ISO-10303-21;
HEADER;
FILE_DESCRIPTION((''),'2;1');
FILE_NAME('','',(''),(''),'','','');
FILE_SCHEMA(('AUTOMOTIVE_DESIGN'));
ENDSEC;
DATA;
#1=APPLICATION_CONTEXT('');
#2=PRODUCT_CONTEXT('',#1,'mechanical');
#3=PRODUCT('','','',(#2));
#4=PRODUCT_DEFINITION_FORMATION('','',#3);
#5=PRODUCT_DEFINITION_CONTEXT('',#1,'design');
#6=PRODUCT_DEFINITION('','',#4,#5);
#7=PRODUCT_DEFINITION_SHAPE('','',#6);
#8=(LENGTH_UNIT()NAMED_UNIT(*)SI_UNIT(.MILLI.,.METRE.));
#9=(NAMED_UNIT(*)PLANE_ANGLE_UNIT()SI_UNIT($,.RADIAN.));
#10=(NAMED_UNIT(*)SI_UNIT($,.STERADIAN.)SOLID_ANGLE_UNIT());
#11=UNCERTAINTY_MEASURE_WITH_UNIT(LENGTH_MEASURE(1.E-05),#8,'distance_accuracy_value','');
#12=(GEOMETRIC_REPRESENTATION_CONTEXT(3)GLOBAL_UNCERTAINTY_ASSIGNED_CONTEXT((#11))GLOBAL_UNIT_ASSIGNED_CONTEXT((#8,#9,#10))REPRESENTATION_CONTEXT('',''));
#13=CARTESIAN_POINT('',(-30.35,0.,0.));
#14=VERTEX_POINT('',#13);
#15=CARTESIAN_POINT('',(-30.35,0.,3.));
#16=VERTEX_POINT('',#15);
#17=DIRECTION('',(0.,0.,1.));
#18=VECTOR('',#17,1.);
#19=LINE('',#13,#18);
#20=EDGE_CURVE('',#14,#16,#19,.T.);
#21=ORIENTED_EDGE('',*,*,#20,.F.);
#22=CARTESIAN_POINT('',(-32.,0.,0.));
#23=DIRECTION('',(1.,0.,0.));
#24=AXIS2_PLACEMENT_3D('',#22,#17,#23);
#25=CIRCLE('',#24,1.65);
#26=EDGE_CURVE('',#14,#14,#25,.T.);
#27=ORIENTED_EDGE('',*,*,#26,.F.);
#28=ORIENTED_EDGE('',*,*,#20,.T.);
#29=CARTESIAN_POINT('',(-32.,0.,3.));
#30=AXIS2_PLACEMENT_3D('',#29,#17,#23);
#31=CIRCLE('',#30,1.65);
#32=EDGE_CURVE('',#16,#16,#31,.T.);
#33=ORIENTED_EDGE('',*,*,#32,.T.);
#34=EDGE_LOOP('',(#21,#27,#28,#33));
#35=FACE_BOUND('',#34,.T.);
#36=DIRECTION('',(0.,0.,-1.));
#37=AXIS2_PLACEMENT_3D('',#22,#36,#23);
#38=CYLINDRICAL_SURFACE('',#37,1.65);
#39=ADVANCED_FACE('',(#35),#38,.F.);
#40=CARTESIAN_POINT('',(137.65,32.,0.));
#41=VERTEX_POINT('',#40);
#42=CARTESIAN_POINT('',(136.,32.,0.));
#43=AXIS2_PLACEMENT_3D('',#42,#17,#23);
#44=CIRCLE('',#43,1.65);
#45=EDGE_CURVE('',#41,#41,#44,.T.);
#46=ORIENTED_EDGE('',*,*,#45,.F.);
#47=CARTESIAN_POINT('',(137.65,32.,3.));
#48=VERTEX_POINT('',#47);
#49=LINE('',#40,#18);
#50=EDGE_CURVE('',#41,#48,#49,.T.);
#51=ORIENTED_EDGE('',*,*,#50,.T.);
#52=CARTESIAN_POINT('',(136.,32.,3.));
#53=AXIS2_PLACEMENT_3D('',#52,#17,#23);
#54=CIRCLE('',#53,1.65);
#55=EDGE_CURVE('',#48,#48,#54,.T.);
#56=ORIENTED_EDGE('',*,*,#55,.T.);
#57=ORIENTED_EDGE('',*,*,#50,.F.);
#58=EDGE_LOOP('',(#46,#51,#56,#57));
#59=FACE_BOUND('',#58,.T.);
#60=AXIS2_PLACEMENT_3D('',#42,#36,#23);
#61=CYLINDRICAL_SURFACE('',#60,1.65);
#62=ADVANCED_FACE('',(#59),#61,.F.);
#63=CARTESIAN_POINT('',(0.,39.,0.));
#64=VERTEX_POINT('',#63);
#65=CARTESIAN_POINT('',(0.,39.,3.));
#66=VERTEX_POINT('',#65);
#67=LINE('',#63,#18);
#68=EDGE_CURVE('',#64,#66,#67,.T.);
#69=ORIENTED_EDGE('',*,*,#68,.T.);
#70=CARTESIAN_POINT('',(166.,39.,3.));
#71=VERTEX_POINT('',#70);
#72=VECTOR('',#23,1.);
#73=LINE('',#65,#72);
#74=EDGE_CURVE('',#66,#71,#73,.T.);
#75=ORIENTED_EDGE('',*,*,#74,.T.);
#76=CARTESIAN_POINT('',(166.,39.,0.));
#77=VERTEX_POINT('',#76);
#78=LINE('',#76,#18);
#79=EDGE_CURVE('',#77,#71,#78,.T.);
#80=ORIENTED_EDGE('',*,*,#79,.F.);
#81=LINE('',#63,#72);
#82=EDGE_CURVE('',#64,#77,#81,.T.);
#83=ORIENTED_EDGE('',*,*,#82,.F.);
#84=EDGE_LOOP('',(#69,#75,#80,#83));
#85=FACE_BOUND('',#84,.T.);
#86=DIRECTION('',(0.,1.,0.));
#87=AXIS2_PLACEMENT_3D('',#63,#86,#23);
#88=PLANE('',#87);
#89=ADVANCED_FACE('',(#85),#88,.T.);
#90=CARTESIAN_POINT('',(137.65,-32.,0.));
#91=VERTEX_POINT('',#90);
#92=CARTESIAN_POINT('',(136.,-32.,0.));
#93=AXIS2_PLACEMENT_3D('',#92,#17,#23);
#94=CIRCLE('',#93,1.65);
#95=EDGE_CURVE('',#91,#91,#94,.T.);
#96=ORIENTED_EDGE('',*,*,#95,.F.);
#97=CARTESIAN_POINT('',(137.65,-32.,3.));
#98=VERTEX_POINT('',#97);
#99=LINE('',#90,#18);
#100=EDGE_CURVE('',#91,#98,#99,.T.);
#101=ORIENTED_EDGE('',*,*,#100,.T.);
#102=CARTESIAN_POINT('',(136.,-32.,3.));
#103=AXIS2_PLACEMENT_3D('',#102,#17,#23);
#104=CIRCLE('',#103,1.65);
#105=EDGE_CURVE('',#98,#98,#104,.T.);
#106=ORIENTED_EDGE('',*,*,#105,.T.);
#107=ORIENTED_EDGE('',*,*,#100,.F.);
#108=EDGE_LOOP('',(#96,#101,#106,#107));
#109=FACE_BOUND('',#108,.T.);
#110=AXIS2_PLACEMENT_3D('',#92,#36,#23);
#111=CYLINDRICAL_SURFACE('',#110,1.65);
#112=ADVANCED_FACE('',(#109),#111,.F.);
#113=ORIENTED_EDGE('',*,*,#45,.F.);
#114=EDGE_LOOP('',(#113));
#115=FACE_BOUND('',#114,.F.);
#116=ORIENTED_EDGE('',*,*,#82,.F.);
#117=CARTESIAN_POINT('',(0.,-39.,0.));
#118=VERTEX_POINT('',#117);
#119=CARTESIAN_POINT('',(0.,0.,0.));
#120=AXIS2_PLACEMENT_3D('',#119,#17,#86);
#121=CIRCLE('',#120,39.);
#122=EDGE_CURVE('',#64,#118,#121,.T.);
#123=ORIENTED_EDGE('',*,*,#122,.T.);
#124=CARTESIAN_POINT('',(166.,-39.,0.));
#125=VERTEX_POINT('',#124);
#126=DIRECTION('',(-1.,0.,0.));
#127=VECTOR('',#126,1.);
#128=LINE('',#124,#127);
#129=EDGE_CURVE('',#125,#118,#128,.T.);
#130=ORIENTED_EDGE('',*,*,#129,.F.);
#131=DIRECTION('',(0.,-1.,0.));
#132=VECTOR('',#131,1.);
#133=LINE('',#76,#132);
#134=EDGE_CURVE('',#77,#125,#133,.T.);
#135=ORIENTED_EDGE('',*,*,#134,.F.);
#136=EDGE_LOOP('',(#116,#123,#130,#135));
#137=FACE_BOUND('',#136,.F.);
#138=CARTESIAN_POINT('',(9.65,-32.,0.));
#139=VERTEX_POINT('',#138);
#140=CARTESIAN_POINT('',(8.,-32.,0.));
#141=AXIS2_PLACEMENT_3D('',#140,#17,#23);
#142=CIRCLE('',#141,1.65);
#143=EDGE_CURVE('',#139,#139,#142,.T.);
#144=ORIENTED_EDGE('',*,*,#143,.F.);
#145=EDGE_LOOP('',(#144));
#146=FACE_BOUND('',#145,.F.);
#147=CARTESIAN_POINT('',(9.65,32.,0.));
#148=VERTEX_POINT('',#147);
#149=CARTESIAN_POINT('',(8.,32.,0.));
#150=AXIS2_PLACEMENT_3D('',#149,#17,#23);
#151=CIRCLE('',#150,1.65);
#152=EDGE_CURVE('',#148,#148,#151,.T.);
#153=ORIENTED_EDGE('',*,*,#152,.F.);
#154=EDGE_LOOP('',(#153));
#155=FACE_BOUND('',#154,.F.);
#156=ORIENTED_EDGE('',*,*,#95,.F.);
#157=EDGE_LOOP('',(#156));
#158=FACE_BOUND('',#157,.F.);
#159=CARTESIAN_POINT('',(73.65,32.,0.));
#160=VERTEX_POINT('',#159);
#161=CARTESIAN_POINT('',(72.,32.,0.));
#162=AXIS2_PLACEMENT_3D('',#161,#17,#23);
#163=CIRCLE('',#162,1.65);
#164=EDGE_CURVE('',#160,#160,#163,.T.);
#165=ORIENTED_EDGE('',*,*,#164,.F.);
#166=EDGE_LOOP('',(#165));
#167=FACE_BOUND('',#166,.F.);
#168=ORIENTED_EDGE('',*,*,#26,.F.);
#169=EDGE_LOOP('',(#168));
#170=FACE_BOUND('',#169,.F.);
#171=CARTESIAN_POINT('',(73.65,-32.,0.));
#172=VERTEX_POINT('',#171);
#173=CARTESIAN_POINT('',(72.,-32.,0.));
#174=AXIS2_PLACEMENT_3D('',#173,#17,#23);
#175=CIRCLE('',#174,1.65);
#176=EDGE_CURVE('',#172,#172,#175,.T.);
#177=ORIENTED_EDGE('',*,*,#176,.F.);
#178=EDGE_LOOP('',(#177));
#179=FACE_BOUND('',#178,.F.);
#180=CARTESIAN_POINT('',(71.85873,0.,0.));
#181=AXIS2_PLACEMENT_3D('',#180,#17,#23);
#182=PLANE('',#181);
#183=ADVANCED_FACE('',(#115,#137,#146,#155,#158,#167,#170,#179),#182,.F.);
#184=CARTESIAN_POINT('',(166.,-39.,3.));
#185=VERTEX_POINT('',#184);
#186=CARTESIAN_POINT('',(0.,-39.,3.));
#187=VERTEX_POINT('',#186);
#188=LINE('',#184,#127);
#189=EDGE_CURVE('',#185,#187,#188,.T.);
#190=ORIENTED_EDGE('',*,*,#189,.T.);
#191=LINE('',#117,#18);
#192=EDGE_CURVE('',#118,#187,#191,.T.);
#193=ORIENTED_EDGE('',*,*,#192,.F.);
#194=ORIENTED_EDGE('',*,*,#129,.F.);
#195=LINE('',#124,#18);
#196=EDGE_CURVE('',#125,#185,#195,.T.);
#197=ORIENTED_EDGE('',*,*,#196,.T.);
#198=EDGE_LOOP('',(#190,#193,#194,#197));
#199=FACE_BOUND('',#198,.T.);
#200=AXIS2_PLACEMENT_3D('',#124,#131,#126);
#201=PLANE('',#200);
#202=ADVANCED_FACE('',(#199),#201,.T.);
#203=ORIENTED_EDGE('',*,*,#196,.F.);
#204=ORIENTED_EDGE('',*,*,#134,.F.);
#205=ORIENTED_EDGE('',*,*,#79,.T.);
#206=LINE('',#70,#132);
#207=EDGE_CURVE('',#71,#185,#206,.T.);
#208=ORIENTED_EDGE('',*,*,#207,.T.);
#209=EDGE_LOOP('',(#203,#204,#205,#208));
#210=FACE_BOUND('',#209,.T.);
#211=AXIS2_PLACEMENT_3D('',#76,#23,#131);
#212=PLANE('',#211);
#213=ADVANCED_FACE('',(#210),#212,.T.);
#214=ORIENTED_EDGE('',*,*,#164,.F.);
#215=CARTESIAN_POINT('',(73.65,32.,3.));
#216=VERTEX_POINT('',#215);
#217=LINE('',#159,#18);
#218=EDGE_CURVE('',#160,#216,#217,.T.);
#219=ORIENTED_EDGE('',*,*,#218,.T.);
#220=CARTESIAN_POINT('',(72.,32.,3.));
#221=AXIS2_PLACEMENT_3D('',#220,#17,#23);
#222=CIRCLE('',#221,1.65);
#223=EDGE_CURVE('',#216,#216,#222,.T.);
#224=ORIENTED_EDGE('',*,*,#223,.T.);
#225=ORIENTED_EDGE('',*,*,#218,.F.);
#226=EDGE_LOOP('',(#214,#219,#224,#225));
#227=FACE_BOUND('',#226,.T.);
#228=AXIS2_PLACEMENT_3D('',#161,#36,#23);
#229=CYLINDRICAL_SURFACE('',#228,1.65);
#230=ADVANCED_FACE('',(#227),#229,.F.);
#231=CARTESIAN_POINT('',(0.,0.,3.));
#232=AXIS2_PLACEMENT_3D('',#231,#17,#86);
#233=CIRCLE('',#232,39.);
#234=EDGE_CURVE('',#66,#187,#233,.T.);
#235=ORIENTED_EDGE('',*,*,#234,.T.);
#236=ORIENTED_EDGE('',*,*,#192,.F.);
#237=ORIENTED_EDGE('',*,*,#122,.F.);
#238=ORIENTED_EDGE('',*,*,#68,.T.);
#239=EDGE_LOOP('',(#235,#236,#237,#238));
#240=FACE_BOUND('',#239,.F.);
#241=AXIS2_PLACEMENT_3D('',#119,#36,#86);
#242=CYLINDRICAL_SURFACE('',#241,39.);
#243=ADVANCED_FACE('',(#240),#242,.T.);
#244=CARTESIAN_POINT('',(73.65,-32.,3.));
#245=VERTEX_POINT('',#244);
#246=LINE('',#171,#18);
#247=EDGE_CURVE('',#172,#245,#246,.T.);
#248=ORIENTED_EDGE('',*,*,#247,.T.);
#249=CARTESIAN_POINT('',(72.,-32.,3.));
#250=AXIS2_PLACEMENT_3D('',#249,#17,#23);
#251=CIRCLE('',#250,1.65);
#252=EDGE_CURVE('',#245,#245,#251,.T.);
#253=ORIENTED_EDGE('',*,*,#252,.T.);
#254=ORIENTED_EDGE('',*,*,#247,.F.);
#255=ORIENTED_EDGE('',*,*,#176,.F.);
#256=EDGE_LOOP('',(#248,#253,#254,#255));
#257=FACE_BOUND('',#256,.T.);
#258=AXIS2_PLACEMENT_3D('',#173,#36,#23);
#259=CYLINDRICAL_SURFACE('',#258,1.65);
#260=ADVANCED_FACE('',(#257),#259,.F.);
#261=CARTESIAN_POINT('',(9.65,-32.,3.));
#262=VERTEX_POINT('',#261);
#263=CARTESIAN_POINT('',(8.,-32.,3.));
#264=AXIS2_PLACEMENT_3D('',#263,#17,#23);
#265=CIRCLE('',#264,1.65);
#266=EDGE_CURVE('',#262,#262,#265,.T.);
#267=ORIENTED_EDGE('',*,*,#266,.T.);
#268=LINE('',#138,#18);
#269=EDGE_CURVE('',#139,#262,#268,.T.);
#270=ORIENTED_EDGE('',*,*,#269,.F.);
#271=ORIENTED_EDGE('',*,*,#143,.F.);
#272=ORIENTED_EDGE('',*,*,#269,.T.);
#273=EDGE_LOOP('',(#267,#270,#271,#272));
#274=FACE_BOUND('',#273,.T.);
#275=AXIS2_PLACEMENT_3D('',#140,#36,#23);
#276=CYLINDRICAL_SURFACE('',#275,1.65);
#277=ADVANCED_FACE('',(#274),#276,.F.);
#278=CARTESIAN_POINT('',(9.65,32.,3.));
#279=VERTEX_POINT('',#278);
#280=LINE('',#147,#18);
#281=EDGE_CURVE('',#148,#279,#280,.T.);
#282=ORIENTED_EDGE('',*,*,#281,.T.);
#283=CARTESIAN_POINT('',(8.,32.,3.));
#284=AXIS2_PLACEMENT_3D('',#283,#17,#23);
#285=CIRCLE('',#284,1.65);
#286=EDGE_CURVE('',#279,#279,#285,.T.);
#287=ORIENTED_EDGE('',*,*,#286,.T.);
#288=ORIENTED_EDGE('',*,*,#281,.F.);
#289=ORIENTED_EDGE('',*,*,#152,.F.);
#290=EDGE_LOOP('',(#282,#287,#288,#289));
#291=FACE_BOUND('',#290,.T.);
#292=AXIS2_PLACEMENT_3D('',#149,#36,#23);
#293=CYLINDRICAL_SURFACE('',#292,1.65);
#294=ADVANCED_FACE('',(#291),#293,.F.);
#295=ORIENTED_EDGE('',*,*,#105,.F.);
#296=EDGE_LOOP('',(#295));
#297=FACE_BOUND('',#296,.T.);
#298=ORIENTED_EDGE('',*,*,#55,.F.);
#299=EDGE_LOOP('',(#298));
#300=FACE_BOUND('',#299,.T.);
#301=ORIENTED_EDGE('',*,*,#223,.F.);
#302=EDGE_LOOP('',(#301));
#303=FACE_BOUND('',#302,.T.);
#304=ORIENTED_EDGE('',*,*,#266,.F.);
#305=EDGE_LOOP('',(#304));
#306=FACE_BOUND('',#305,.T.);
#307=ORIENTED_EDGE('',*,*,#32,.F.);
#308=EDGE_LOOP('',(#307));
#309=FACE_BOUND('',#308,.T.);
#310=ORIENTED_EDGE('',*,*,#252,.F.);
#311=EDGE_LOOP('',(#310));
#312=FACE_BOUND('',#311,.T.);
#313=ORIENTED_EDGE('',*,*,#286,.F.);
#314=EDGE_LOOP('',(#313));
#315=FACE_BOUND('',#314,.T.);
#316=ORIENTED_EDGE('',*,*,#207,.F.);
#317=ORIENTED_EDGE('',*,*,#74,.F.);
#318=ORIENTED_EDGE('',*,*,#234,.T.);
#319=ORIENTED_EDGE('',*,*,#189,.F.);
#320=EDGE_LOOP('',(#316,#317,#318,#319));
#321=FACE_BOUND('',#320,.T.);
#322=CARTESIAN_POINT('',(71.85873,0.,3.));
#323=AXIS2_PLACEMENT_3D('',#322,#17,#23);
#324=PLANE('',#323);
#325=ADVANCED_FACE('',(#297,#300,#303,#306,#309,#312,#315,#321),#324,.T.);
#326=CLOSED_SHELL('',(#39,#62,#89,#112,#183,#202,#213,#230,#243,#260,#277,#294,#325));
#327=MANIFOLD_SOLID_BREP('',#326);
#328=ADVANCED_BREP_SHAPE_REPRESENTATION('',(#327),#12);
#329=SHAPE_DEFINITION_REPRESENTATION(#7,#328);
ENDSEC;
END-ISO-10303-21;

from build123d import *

# Parameters (mm, degrees)
SKETCH_R  = 1.65
PAD_DEPTH = 3


with BuildPart() as part:
    # Sketch → Pad (new body)
    with BuildSketch(Plane.XY):
        with BuildLine():
            ThreePointArc((0, 39), (-39, 0), (0, -39))
            Line((166, -39), (0, -39))
            Line((166, 39), (166, -39))
            Line((0, 39), (166, 39))
        make_face()
        with Locations((-32, 0)):
            Circle(SKETCH_R, mode=Mode.SUBTRACT)
        with Locations((8, 32)):
            Circle(SKETCH_R, mode=Mode.SUBTRACT)
        with Locations((72, 32)):
            Circle(SKETCH_R, mode=Mode.SUBTRACT)
        with Locations((136, 32)):
            Circle(SKETCH_R, mode=Mode.SUBTRACT)
        with Locations((8, -32)):
            Circle(SKETCH_R, mode=Mode.SUBTRACT)
        with Locations((72, -32)):
            Circle(SKETCH_R, mode=Mode.SUBTRACT)
        with Locations((136, -32)):
            Circle(SKETCH_R, mode=Mode.SUBTRACT)
    extrude(amount=PAD_DEPTH)


solid = part.part
